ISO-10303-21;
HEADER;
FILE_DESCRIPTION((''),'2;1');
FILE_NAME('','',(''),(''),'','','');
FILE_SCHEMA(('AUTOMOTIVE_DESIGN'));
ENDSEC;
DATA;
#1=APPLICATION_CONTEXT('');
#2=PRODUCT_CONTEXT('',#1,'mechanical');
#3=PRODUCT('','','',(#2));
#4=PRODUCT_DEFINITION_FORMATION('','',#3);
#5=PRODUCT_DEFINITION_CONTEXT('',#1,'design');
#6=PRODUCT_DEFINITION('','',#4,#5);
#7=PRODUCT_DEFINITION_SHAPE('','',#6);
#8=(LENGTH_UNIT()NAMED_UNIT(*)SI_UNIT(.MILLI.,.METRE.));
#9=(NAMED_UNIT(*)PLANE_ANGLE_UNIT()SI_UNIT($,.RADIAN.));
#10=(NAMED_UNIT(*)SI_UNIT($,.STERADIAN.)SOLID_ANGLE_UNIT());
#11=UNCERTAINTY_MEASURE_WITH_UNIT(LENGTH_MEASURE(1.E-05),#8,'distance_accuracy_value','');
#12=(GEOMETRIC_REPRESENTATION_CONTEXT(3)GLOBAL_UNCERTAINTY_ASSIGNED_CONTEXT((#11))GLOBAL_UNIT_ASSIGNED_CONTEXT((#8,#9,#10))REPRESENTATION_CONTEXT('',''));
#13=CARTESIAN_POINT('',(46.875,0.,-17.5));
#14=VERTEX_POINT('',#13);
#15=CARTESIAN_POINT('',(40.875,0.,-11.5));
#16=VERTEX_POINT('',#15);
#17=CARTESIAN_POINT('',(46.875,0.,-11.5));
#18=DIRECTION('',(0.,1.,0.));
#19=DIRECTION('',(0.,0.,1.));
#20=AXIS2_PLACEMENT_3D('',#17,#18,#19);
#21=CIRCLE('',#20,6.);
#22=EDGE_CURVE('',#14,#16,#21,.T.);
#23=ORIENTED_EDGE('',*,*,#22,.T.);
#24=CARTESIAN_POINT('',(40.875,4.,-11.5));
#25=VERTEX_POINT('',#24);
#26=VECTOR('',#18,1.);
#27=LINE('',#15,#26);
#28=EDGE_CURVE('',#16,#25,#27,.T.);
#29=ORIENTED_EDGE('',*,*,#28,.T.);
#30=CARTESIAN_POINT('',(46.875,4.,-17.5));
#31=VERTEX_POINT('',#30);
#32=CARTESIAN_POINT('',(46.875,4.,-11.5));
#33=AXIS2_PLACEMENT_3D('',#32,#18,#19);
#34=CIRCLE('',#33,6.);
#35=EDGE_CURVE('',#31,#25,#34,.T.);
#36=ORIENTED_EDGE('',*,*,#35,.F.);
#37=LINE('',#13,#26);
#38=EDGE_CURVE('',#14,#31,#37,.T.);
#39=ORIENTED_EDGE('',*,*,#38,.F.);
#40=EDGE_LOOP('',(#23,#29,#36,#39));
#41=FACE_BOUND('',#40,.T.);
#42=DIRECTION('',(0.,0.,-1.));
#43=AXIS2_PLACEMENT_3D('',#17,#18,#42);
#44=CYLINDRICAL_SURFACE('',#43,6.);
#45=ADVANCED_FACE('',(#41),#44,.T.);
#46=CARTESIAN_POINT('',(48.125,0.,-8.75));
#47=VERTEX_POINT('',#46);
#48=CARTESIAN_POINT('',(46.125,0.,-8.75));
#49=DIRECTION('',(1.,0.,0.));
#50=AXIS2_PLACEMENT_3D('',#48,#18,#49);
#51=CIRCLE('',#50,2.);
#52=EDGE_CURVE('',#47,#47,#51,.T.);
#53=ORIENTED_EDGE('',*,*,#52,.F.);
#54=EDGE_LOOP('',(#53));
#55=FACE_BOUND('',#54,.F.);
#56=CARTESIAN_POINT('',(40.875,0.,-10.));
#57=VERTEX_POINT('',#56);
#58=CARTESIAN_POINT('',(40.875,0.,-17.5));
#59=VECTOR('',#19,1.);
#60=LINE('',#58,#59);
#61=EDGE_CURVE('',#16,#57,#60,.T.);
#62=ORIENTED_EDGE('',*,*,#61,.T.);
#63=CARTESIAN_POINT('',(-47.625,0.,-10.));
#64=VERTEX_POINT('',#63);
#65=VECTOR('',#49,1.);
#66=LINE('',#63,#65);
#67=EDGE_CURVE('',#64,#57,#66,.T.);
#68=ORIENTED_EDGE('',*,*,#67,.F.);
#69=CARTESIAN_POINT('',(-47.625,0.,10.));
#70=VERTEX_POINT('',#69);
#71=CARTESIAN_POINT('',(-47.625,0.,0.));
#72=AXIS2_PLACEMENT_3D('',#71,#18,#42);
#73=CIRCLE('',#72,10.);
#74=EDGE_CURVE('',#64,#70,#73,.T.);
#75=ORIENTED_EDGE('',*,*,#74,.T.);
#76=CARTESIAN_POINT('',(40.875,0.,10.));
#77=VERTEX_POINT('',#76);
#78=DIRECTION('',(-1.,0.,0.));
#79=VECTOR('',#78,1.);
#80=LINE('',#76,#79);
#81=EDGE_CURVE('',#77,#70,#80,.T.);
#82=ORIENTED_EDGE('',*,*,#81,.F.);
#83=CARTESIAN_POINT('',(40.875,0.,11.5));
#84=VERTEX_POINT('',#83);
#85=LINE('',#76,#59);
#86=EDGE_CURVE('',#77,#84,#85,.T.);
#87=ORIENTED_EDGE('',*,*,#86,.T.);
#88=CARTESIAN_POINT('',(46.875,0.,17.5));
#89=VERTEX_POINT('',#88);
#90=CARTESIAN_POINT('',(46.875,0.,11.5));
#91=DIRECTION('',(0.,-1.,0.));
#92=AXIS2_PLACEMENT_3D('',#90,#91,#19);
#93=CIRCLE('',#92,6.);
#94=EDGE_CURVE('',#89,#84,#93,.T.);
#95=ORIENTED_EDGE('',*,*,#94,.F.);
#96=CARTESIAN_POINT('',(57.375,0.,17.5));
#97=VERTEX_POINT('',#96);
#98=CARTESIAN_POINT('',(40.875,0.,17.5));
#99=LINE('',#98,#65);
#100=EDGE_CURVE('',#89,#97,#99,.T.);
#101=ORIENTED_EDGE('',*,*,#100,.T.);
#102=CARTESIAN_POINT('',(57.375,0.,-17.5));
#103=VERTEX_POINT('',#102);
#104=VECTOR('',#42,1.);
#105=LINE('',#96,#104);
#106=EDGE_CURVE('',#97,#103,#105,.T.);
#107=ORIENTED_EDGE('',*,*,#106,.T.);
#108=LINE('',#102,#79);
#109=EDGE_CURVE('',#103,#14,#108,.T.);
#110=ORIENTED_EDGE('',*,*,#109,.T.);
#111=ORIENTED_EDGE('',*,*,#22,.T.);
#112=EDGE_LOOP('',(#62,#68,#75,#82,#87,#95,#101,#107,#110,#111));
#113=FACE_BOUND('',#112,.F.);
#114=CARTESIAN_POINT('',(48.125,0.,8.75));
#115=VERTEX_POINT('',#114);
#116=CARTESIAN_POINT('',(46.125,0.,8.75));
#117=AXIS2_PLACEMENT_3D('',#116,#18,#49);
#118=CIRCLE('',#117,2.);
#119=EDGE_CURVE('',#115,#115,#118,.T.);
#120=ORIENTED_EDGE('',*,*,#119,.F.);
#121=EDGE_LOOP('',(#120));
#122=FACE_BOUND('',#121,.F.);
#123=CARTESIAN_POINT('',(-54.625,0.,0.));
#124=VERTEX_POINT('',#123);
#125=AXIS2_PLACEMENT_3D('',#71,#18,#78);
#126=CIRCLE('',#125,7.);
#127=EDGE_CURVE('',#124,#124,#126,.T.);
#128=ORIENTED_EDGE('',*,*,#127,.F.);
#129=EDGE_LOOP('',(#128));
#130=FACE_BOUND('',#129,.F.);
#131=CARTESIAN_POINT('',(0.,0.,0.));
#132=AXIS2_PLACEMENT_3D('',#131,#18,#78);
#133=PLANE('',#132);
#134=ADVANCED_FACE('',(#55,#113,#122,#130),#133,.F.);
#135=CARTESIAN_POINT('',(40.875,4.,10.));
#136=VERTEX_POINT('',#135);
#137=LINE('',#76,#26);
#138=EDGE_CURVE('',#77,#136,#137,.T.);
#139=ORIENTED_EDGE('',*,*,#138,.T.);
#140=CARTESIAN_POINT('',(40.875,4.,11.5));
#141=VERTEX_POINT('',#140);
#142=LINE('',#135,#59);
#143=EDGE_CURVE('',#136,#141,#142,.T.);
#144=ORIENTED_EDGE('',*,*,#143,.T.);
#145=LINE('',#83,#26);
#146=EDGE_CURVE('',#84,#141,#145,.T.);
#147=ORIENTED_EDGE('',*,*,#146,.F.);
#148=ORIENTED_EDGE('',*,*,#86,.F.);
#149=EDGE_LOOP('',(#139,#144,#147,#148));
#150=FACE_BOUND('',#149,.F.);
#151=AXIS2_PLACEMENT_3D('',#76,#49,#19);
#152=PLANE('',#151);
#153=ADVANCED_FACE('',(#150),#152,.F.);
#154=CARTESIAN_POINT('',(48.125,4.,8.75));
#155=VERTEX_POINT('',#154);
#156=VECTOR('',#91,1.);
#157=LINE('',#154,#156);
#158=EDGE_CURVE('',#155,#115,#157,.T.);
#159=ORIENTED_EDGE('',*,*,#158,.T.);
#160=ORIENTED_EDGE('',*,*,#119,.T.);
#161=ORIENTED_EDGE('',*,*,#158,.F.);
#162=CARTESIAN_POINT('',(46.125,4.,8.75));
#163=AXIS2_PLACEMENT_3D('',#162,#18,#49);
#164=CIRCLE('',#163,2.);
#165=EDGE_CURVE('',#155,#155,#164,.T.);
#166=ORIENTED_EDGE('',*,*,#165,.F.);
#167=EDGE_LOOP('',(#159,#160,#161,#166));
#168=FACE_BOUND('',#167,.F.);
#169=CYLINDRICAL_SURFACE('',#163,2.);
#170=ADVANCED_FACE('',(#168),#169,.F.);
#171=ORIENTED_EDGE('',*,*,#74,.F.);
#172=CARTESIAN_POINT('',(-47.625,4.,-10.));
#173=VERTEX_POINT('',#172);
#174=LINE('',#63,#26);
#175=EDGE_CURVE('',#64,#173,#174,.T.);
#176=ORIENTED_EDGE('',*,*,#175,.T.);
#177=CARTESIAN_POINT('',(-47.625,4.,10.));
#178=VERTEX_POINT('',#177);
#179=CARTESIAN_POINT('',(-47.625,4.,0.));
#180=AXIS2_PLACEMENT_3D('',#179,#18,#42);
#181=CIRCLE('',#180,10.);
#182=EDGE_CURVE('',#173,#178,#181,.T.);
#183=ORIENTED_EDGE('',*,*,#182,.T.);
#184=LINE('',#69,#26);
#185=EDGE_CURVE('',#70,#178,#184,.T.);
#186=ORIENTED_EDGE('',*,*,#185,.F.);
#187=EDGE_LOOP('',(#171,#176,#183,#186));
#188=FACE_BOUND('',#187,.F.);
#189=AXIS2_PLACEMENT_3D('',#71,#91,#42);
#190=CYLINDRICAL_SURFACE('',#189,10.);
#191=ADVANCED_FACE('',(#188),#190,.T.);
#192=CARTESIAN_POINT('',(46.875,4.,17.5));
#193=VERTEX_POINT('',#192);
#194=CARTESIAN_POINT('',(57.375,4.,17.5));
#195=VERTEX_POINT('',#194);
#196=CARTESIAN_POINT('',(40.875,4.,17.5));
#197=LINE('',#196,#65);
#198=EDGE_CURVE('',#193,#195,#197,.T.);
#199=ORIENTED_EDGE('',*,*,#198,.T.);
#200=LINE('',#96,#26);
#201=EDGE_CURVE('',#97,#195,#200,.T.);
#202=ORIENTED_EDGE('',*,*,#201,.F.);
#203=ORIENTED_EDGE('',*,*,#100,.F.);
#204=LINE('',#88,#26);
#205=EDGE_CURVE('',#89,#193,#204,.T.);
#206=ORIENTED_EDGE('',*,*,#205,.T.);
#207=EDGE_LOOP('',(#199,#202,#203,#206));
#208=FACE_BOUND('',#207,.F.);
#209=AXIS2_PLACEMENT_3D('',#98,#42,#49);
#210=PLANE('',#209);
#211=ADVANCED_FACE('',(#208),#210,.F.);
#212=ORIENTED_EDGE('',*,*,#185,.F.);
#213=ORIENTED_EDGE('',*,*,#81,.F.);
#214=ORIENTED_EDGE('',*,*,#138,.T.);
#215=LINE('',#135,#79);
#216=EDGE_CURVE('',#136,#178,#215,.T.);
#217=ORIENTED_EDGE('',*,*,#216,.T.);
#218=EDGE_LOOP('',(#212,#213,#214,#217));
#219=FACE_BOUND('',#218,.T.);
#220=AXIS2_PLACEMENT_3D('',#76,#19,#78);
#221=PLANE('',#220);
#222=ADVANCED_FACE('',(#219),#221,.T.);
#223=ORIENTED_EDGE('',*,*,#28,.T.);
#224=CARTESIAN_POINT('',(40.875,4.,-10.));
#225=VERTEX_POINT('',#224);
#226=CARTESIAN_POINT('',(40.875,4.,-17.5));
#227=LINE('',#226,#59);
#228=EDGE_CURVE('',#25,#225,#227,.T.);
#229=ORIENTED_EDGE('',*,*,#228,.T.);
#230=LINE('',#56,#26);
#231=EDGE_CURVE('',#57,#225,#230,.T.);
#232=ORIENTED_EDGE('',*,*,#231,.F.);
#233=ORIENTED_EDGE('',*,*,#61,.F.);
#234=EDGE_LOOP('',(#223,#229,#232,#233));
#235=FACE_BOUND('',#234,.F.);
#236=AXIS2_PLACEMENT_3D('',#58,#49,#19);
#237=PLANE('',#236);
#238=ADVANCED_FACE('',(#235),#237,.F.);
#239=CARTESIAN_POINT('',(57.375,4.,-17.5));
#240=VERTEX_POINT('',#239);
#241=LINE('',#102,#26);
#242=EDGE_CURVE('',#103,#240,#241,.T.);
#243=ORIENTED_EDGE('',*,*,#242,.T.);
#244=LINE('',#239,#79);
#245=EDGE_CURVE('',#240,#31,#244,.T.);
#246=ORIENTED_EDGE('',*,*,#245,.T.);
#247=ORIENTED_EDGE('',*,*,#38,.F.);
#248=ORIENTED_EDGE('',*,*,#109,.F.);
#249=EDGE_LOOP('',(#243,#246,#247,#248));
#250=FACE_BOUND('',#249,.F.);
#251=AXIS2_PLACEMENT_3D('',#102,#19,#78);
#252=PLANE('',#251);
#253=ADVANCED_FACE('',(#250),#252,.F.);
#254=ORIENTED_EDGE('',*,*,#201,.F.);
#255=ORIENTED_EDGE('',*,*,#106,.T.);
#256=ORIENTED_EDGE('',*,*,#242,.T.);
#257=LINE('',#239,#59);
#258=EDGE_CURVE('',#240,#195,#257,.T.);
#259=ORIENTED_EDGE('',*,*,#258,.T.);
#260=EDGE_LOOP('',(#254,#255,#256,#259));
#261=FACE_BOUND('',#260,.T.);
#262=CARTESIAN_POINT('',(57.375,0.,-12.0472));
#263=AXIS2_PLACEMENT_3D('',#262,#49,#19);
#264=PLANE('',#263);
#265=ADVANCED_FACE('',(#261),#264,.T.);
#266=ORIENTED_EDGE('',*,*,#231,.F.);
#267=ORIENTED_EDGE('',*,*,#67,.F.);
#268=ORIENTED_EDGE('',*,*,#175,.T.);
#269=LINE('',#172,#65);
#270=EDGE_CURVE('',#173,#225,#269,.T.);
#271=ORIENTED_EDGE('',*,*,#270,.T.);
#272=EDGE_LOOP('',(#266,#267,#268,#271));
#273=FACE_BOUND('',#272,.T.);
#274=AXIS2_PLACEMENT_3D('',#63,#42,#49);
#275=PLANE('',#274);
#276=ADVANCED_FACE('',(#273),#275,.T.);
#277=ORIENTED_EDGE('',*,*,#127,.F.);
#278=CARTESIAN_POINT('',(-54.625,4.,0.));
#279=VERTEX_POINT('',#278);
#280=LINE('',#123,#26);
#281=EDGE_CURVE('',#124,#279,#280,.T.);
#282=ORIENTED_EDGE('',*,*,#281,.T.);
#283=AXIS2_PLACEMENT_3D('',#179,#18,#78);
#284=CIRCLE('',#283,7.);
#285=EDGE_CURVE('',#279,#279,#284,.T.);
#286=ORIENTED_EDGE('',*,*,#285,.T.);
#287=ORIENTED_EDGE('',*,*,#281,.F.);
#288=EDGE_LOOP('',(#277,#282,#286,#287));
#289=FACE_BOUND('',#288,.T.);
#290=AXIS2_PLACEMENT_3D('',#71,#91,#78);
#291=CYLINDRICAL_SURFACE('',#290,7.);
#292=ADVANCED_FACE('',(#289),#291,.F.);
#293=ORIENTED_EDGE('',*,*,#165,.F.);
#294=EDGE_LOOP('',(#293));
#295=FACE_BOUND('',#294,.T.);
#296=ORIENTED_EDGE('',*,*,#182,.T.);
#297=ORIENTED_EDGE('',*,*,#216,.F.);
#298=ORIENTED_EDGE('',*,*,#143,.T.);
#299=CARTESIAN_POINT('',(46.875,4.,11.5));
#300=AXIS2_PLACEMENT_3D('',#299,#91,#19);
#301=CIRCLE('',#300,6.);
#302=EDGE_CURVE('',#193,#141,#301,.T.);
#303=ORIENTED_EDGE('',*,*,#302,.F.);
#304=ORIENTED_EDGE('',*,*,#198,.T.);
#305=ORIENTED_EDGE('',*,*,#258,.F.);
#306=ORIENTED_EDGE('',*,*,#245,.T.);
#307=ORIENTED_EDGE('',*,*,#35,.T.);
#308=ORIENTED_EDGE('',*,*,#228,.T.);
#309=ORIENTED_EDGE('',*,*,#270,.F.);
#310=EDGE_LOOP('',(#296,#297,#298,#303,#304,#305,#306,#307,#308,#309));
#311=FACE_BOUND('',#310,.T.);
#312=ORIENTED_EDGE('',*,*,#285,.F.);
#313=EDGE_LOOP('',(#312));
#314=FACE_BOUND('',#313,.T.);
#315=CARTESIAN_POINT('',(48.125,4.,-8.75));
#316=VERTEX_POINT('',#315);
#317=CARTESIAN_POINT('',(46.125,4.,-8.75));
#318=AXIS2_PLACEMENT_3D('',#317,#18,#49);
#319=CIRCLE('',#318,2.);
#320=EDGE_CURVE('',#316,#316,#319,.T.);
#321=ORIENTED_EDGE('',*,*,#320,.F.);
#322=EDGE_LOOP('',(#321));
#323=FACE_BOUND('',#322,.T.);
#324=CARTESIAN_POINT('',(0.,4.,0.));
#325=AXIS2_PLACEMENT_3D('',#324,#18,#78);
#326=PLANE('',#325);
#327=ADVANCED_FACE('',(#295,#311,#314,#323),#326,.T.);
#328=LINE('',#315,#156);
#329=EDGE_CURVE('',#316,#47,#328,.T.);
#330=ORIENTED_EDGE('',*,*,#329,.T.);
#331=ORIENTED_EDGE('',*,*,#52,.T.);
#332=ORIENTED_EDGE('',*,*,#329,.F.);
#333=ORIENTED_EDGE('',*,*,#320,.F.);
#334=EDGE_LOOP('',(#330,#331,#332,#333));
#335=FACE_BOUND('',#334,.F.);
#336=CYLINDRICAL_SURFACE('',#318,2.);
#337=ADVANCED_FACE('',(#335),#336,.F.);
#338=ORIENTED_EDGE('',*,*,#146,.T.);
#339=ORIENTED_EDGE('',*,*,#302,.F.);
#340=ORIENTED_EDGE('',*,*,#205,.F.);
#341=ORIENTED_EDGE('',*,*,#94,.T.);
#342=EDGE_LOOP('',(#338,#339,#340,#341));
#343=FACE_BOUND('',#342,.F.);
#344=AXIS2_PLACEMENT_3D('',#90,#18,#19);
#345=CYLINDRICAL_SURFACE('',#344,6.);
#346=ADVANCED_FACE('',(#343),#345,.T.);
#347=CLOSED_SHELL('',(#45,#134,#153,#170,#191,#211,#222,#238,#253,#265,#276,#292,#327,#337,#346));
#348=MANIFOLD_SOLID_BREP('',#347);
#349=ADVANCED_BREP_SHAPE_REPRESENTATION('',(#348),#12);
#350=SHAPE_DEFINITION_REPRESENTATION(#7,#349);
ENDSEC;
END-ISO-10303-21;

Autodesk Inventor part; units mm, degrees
ref_plane "YZ Plane" through (0, 0, 0) normal (1, 0, 0) x (0, 1, 0)
ref_plane "XZ Plane" through (0, 0, 0) normal (0, 1, 0) x (-1, 0, 0)
ref_plane "XY Plane" through (0, 0, 0) normal (0, 0, 1) x (1, 0, 0)
sketch "Main Sketch" plane through (0, 0, 0) normal (0, 1, 0) x (-1, 0, 0)
  line L0 (-57.375, -12.0472) -> (-57.375, 12.0472)
  line L1 (-57.375, 12.0472) -> (47.625, -10) construction
  line L2 (47.625, 10) -> (-57.375, -12.0472) construction
  circle A0 centre (47.625, 0) radius 7
  arc A1 (47.625, -10) -> (47.625, 10) centre (47.625, 0) ccw
  line L3 (-40.875, 17.5) -> (-57.375, 17.5)
  line L4 (-57.375, 17.5) -> (-57.375, -17.5)
  line L5 (-57.375, -17.5) -> (-40.875, -17.5)
  line L6 (-40.875, 17.5) -> (-57.375, -17.5) construction
  line L7 (-57.375, 17.5) -> (-40.875, -17.5) construction
  line L8 (47.625, -10) -> (-40.875, -10)
  line L9 (-40.875, -17.5) -> (-40.875, -10)
  line L10 (-40.875, 10) -> (-40.875, 17.5)
  line L11 (-40.875, 10) -> (47.625, 10)
  point P0 (0, 0)
  point P1 (-49.125, 0)
  dimension "d3" = 14
  dimension "d4" = 105
  dimension "d13" = 16.5
  dimension "d14" = 35
  dimension "d15" = 0
  dimension "d18" = 20
extrude "Main Extrusion" add sketch "Main Sketch" along normal blind 4
sketch "Screw Holes Sketch" plane through (0, 4, 0) normal (0, 1, 0) x (1, 0, 0)
  circle A0 centre (46.125, -8.75) radius 2
  line L0 (57.375, 17.5) -> (40.875, 17.5) projected
  line L1 (40.875, -17.5) -> (57.375, -17.5) projected
  line L2 (35.2664, 0) -> (65.7891, 0)
  line L3 (51.375, -27.0398) -> (51.375, 30.2346) construction
  line L4 (57.375, -17.5) -> (57.375, 17.5) projected
  line L5 (40.875, -10) -> (40.875, -17.5) projected
  circle A1 centre (46.125, 8.75) radius 2
  line L6 (51.375, 27.0398) -> (51.375, -30.2346) construction
  point P0 (0, 0)
  dimension "d21" = 4
  dimension "d22" = 35
  dimension "d23" = 6
  dimension "d24" = 5.25
  dimension "d25" = 5.25
  dimension "d26" = 10.5
  dimension "d27" = 8.75
  dimension "d28" = 17.5
extrude "Screw Holes Cut" cut sketch "Screw Holes Sketch" against normal through all
fillet "Fillet1" radius 6 2 edges at (40.875, 2, -17.5) (40.875, 2, 17.5)
properties part number "TapeMeasureBracketSide"
